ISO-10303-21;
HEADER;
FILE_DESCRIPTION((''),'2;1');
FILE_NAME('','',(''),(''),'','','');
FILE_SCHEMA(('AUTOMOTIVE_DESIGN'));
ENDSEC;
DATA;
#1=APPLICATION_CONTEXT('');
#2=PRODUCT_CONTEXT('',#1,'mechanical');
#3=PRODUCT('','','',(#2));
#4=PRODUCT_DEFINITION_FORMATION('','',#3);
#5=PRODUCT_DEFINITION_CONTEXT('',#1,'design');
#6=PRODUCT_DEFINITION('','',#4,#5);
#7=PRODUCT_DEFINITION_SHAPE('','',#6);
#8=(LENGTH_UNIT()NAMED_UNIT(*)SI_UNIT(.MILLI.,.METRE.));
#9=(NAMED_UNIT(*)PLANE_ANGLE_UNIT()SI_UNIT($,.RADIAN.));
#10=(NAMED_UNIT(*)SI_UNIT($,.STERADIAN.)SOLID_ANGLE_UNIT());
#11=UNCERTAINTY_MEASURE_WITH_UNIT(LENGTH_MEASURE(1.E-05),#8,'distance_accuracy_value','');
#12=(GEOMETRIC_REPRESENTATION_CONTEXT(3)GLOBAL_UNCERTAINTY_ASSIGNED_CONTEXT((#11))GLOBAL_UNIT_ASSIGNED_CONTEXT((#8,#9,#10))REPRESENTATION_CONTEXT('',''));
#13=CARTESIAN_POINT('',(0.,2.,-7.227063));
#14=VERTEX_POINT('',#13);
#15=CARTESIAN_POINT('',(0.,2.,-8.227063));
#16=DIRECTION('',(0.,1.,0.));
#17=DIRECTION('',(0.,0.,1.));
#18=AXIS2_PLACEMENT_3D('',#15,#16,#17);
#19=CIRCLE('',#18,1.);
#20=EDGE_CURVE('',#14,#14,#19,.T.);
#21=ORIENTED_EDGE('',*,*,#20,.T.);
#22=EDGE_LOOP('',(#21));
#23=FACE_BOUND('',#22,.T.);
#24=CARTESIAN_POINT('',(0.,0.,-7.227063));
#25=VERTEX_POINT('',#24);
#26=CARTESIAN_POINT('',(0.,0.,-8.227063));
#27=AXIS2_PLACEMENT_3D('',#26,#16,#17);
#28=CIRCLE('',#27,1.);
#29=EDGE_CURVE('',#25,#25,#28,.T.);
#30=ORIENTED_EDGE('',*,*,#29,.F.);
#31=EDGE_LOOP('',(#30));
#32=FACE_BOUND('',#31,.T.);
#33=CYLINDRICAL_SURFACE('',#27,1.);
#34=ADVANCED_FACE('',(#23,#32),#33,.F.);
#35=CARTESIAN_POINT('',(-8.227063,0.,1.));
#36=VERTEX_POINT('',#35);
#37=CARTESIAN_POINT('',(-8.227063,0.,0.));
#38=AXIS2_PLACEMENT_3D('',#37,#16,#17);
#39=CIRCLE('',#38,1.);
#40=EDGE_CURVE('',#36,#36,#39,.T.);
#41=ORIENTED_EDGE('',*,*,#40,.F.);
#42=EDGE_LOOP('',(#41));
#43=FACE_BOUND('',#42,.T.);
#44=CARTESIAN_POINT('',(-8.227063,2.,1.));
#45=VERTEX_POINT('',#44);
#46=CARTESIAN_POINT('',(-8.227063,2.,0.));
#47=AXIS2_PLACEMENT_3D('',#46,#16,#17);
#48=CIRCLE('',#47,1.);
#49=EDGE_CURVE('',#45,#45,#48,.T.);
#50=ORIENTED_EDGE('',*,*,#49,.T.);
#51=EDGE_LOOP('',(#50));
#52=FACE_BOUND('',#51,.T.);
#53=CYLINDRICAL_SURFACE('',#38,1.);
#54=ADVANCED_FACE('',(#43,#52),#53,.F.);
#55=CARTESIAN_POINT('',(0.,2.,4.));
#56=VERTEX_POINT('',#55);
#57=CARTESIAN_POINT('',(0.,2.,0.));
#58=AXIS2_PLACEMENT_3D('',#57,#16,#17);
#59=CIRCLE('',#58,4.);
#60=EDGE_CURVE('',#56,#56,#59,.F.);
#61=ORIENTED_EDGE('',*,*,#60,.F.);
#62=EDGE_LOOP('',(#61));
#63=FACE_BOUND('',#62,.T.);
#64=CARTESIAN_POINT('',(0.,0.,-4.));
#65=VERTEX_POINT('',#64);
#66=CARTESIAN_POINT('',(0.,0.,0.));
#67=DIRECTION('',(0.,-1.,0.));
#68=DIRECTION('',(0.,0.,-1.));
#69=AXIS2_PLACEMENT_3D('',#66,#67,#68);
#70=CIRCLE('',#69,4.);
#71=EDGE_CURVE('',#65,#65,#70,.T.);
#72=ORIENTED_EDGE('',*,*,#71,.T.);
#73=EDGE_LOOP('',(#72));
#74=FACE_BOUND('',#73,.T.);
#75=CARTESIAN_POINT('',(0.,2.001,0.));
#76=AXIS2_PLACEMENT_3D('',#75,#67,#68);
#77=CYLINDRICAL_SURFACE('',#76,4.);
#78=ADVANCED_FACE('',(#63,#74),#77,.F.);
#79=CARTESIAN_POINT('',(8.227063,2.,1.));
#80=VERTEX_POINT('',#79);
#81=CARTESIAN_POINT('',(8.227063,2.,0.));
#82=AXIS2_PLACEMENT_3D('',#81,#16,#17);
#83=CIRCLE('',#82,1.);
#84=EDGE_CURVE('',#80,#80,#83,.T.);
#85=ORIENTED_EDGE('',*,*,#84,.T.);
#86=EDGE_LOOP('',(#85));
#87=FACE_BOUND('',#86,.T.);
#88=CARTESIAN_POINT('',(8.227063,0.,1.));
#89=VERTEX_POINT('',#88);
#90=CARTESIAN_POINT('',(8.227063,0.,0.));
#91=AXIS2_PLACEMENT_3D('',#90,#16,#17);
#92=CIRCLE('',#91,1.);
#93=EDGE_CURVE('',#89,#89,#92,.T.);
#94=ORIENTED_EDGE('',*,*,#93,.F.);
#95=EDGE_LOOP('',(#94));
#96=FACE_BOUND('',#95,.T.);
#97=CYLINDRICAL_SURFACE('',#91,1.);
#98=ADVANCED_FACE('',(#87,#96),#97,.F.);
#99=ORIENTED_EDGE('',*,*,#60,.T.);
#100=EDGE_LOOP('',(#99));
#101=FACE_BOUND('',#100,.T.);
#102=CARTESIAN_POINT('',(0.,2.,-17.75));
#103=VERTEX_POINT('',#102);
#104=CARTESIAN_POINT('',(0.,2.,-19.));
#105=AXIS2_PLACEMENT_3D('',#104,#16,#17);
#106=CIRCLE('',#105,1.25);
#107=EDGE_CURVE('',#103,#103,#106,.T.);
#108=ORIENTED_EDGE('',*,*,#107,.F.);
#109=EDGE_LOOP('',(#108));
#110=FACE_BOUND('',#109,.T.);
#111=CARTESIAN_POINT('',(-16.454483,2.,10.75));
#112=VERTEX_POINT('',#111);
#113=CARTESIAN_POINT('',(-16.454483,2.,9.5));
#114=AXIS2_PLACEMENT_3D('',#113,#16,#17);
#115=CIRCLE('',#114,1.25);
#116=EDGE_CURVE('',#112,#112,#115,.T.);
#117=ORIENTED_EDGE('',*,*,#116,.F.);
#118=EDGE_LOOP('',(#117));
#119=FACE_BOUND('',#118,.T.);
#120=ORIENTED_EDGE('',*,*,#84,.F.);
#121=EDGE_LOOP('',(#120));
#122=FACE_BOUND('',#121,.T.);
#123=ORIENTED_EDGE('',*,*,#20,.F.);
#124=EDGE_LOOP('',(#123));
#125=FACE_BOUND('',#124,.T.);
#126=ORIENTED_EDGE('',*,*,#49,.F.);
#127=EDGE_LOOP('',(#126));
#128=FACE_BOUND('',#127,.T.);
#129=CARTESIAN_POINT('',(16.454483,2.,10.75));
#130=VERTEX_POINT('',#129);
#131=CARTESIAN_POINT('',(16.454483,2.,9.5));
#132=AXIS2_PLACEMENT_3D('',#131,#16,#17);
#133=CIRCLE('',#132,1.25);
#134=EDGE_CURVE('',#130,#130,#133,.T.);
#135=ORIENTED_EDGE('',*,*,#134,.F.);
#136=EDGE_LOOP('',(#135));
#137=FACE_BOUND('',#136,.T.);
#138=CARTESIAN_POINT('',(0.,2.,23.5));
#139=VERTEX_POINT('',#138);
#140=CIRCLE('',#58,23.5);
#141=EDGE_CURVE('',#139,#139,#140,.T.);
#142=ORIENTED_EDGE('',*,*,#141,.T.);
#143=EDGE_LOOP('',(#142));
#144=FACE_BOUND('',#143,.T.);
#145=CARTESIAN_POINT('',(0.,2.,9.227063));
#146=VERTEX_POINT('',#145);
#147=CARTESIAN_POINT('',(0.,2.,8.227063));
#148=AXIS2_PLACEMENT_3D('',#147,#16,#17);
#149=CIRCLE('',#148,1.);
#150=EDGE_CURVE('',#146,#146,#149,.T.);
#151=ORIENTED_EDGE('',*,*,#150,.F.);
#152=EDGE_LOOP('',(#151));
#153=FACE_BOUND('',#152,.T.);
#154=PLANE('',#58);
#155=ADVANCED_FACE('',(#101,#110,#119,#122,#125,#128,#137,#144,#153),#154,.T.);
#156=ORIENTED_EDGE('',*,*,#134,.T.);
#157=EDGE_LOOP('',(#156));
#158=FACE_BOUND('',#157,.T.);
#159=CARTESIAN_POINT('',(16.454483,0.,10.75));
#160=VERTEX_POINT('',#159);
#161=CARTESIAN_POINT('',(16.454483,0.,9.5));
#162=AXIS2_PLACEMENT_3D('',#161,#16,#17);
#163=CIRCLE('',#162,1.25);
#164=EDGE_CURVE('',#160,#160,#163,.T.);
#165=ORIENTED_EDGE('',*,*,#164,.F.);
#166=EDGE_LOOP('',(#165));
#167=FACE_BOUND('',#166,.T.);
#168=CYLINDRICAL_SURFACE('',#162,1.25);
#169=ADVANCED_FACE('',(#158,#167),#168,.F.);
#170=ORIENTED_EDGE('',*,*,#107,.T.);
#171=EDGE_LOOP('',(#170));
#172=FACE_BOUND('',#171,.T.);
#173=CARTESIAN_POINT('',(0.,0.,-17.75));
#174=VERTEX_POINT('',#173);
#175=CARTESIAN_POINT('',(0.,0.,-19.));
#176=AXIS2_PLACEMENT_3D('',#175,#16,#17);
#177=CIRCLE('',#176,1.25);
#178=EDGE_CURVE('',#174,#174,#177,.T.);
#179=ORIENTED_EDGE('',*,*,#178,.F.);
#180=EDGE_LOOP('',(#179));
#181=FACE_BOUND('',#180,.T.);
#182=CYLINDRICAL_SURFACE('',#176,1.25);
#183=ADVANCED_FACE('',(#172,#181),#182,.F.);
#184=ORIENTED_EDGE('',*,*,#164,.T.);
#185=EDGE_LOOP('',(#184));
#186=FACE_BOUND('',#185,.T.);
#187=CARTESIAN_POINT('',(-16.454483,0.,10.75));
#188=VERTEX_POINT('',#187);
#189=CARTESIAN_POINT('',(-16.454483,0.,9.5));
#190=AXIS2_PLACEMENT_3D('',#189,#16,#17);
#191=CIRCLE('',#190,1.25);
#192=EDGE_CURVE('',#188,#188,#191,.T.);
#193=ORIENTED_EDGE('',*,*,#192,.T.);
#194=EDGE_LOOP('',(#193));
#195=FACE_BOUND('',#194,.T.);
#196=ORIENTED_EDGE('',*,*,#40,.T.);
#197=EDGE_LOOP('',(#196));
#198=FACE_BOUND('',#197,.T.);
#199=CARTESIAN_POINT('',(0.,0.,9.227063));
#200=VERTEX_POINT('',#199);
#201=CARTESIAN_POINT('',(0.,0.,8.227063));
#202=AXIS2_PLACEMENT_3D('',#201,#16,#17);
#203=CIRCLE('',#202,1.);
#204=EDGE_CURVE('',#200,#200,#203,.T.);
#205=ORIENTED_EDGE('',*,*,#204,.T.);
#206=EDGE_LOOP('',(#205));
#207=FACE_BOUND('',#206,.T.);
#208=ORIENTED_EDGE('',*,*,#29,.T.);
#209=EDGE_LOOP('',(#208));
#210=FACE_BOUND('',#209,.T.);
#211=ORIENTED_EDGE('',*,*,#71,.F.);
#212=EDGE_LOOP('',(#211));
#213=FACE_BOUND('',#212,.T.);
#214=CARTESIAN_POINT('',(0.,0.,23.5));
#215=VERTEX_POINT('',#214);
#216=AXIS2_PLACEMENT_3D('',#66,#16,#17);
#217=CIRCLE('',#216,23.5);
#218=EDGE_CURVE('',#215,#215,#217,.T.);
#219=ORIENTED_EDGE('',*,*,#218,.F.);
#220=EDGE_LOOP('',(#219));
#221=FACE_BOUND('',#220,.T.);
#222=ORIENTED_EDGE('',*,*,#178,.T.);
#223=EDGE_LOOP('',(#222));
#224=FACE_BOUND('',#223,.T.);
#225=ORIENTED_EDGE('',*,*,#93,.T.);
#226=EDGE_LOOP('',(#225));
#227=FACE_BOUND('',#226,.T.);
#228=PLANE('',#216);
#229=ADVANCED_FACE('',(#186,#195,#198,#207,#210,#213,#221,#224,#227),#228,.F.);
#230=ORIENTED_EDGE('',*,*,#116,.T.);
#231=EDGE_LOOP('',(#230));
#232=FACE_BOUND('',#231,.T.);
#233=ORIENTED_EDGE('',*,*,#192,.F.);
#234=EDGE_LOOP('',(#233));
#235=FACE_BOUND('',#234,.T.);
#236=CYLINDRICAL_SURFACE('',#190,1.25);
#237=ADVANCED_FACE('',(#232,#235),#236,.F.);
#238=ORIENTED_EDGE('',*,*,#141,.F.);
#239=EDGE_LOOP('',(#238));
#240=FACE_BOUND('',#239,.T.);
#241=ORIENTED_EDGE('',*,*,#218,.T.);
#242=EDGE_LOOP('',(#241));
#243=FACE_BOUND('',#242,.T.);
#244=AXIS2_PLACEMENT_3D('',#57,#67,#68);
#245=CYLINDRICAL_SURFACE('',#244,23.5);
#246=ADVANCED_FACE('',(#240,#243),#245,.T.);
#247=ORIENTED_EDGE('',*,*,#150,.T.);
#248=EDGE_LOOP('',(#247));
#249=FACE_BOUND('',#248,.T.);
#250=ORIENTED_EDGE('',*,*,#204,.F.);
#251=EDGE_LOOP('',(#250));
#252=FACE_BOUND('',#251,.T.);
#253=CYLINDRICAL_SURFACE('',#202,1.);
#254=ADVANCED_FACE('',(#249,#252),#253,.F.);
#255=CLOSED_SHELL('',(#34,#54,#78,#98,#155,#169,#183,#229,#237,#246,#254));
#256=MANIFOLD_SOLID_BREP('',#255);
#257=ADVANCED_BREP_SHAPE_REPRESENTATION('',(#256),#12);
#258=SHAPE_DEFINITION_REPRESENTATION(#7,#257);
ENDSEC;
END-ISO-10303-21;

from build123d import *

# Parameters (mm, degrees)
SKETCH1_R           = 23.5
BOSS_EXTRUDE1_DEPTH = 2
SKETCH2_R           = 1
SKETCH2_R_2         = 1.25
CUT_EXTRUDE1_DEPTH  = 34.294143629
CUT_EXTRUDE2_REACH  = 35.294
SKETCH3_R           = 4


with BuildPart() as part:
    # Sketch1 → Boss-Extrude1 (new body)
    with BuildSketch(Plane(origin=(0, 0, 0), x_dir=(1, 0, 0), z_dir=(0, 1, 0))):
        with Locations(Location((0, 0, 0), (0, 0, 270))):
            Circle(SKETCH1_R)
    extrude(amount=BOSS_EXTRUDE1_DEPTH)

    # Sketch2 → Cut-Extrude1 (cut, through all)
    with BuildSketch(Plane(origin=(0, 2, 0), x_dir=(1, 0, 0), z_dir=(0, 1, 0))):
        with Locations(Location((0, 8.227062517, 0), (0, 0, 270))):
            Circle(SKETCH2_R)
        with Locations(Location((8.227062517, 0, 0), (0, 0, 270))):
            Circle(SKETCH2_R)
        with Locations(Location((0, -8.227062517, 0), (0, 0, 270))):
            Circle(SKETCH2_R)
        with Locations(Location((-8.227062517, 0, 0), (0, 0, 270))):
            Circle(SKETCH2_R)
        with Locations(Location((0, 19, 0), (0, 0, 270))):
            Circle(SKETCH2_R_2)
        with Locations(Location((16.454482672, -9.5, 0), (0, 0, 270))):
            Circle(SKETCH2_R_2)
        with Locations(Location((-16.454482672, -9.5, 0), (0, 0, 270))):
            Circle(SKETCH2_R_2)
    extrude(amount=-CUT_EXTRUDE1_DEPTH, mode=Mode.SUBTRACT)

    # Sketch3 → Cut-Extrude2 (cut, up to next)
    with BuildSketch(Plane.XZ, mode=Mode.PRIVATE) as cut_extrude2_sk1:
        with Locations(Location((0, 0, 0), (0, 0, 270))):
            Circle(SKETCH3_R)
    cut_extrude2_tool1 = extrude(cut_extrude2_sk1.sketch, amount=-CUT_EXTRUDE2_REACH, mode=Mode.PRIVATE) & part.part
    add(cut_extrude2_tool1.solids().sort_by_distance((0, 0, 0))[0], mode=Mode.SUBTRACT)


solid = part.part
